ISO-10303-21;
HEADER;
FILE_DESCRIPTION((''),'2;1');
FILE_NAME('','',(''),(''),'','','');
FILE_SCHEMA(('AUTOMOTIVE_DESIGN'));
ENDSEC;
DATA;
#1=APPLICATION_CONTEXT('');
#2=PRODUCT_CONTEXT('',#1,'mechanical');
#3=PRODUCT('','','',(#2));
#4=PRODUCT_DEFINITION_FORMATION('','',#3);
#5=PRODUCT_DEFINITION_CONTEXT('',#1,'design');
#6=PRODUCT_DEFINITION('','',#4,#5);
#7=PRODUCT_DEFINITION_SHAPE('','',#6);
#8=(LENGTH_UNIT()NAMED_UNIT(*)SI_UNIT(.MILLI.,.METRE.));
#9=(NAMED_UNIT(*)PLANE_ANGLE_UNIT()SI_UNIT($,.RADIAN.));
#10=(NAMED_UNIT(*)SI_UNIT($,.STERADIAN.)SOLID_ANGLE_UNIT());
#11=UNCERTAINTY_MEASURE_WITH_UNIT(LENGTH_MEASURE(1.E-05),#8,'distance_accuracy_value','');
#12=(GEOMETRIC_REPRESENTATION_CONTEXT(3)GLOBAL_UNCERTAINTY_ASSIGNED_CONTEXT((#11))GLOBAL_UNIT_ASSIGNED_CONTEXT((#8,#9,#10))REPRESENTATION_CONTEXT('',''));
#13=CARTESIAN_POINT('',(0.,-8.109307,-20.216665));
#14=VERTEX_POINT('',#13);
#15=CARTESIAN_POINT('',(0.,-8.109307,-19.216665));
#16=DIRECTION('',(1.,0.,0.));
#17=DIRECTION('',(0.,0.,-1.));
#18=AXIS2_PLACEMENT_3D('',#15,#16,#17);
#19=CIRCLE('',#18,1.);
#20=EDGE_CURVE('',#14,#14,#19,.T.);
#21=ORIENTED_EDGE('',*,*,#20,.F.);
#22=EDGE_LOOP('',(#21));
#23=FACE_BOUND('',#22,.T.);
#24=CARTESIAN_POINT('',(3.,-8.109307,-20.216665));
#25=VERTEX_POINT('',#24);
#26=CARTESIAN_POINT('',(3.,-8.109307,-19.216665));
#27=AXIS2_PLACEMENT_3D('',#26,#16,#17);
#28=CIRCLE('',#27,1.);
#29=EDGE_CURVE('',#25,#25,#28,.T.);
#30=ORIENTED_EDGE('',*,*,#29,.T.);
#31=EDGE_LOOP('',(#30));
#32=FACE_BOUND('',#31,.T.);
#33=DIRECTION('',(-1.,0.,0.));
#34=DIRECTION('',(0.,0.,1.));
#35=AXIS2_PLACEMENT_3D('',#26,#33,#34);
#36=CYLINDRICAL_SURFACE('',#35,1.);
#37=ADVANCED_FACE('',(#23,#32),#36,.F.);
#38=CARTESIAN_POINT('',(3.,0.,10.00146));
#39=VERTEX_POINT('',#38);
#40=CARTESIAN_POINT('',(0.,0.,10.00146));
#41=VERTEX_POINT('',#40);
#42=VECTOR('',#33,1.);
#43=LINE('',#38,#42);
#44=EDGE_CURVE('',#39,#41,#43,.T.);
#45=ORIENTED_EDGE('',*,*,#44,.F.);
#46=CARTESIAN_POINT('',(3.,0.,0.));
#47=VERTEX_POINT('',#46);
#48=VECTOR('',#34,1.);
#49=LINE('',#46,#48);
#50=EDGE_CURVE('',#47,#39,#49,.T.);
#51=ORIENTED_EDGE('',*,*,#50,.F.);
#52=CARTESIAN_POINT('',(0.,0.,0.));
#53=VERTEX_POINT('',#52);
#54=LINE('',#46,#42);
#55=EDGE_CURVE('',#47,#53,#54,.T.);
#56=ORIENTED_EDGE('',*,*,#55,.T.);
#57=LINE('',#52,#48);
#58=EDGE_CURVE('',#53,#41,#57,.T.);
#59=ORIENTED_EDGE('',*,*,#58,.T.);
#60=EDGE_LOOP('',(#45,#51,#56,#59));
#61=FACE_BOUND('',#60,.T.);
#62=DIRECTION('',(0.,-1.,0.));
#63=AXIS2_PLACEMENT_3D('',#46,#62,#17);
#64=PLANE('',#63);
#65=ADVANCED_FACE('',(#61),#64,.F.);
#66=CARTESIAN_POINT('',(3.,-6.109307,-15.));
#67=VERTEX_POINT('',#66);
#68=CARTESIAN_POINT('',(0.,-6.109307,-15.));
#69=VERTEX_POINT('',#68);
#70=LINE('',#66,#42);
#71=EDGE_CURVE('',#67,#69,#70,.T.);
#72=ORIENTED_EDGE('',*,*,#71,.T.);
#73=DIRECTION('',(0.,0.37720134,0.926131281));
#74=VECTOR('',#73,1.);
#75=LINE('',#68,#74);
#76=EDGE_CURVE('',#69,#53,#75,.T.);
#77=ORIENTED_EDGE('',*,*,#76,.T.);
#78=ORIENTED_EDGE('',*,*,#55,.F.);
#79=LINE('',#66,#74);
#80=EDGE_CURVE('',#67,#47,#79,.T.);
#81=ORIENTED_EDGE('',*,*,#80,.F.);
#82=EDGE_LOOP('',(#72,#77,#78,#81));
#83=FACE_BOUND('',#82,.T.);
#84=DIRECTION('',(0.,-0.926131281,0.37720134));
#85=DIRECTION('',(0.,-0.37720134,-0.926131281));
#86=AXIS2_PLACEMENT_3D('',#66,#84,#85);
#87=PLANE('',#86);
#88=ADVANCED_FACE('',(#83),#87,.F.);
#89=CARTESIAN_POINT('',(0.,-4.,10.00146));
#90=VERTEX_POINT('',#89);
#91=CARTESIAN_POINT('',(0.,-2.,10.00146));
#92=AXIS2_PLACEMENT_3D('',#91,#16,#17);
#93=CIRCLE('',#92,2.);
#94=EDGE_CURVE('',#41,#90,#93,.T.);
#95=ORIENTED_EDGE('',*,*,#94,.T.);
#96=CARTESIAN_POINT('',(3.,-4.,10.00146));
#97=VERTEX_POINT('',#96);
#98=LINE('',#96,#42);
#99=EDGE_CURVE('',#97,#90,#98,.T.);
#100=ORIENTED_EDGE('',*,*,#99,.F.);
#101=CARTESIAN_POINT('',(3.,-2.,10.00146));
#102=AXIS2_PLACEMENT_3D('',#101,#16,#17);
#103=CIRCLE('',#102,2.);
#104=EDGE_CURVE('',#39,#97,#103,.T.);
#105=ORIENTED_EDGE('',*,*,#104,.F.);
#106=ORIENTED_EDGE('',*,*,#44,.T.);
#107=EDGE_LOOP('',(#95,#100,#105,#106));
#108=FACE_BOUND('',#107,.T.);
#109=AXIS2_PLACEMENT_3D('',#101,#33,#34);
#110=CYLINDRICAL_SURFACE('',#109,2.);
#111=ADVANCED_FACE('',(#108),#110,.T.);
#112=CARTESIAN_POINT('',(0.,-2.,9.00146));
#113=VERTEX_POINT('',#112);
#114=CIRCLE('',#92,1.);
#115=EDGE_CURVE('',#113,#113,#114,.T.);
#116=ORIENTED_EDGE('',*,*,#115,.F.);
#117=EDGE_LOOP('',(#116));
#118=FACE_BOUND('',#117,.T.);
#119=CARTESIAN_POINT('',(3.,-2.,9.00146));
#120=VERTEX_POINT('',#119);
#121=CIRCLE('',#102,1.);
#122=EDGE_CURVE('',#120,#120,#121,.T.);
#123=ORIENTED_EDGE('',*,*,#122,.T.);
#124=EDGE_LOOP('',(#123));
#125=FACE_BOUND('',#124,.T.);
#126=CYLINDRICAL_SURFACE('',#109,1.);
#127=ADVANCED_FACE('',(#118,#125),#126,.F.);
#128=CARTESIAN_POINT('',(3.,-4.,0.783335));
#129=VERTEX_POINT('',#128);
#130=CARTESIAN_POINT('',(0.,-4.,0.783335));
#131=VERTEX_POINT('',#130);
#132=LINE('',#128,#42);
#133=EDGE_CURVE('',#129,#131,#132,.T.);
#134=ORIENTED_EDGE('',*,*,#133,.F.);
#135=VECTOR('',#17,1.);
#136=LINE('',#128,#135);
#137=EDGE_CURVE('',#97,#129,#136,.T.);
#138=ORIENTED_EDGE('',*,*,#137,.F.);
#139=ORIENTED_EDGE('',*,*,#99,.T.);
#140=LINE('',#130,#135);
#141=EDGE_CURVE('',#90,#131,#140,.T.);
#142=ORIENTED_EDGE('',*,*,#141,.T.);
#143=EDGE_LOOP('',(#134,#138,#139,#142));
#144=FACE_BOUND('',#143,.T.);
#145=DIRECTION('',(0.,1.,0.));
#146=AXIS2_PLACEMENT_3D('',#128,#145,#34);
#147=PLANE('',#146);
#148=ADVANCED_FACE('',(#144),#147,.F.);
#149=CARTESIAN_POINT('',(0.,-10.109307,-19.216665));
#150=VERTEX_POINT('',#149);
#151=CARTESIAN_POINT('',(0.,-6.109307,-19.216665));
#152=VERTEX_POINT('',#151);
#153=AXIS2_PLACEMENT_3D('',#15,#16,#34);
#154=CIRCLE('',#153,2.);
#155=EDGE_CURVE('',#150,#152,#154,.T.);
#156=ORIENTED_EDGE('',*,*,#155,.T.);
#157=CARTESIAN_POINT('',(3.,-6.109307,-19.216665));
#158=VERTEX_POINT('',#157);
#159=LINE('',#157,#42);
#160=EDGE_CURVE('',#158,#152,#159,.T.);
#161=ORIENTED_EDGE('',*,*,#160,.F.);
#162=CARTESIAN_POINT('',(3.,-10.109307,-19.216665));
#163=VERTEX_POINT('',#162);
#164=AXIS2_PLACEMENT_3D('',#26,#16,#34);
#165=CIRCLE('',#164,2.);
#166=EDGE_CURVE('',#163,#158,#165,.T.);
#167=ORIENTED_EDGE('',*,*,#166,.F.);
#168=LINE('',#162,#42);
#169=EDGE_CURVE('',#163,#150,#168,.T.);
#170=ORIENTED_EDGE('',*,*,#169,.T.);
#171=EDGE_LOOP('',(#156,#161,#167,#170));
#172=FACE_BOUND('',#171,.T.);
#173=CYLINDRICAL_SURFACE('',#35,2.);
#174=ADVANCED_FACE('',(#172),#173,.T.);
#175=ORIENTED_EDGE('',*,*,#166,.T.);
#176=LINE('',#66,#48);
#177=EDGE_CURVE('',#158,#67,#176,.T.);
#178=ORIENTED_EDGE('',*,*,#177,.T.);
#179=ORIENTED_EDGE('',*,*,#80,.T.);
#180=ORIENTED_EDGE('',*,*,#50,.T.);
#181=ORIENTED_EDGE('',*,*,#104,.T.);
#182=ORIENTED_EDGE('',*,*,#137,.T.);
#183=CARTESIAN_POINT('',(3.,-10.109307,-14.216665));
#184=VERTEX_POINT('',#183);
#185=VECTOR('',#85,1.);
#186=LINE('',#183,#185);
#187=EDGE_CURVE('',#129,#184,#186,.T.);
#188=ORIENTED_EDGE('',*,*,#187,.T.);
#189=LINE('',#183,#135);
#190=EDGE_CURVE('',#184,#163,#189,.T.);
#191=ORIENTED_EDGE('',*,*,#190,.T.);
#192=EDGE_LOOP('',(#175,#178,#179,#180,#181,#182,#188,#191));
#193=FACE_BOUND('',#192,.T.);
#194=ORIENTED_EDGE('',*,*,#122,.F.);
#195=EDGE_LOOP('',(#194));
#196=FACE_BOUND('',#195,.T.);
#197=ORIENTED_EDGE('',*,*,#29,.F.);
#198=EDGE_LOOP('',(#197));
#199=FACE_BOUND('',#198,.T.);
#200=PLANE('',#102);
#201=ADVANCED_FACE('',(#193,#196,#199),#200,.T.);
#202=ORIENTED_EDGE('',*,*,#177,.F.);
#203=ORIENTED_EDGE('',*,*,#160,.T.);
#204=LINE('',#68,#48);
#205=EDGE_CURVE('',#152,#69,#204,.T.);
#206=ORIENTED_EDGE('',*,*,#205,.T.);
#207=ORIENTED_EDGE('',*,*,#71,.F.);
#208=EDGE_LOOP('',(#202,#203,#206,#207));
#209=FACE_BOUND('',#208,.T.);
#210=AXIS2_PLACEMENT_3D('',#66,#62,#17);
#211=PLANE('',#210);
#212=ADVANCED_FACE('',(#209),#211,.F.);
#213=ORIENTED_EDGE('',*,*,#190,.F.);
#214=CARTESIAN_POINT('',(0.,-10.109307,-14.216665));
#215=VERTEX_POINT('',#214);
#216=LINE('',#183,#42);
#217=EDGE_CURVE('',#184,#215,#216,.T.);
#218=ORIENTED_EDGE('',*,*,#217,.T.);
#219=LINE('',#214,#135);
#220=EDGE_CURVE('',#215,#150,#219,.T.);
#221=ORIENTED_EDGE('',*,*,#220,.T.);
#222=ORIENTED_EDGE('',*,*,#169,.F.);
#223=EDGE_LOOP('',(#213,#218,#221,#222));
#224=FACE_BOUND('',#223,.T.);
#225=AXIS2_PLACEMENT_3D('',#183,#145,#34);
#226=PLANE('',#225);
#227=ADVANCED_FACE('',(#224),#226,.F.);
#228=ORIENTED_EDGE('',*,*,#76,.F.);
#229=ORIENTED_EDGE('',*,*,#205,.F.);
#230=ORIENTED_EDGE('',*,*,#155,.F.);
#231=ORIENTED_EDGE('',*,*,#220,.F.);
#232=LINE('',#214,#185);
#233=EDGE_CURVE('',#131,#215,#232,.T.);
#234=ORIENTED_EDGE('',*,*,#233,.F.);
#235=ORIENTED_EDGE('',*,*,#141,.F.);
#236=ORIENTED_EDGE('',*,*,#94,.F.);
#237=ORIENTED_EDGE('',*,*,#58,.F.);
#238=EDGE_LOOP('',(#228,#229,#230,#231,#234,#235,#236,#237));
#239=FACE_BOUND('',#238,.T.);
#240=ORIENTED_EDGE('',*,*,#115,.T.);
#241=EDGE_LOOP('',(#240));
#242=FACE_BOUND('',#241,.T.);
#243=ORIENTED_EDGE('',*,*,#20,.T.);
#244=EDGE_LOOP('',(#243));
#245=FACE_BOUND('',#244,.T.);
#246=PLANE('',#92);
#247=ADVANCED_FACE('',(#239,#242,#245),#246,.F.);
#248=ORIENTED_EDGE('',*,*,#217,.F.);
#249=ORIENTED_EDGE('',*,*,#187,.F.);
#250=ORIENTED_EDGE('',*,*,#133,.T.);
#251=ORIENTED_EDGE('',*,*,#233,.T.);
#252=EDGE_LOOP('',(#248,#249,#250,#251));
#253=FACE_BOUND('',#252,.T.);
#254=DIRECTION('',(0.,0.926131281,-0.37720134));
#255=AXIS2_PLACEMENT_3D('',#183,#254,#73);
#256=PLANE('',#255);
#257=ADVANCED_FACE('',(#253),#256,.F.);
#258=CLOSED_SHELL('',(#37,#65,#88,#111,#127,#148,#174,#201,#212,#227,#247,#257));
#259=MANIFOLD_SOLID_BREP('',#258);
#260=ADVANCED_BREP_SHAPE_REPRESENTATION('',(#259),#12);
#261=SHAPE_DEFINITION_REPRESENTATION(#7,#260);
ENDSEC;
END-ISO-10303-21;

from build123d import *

# Parameters (mm, degrees)
SKETCH2_R           = 1
BOSS_EXTRUDE1_DEPTH = 3


with BuildPart() as part:
    # Sketch2 → Boss-Extrude1 (new body)
    with BuildSketch(Plane(origin=(0, 0, 0), x_dir=(0, 0, -1), z_dir=(1, 0, 0))):
        with BuildLine():
            Line((19.216665357, -6.109306765), (15, -6.109306765))
            Line((15, -6.109306765), (0, 0))
            Line((0, 0), (-10.001460368, 0))
            ThreePointArc((-10.001460368, 0), (-12.001460368, -2), (-10.001460368, -4))
            Line((-10.001460368, -4), (-0.783334643, -4))
            Line((-0.783334643, -4), (14.216665357, -10.109306765))
            Line((14.216665357, -10.109306765), (19.216665357, -10.109306765))
            ThreePointArc((19.216665357, -10.109306765), (21.216665357, -8.109306765), (19.216665357, -6.109306765))
        make_face()
        with Locations((19.216665357, -8.109306765)):
            Circle(SKETCH2_R, mode=Mode.SUBTRACT)
        with Locations((-10.001460368, -2)):
            Circle(SKETCH2_R, mode=Mode.SUBTRACT)
    extrude(amount=BOSS_EXTRUDE1_DEPTH)


solid = part.part
